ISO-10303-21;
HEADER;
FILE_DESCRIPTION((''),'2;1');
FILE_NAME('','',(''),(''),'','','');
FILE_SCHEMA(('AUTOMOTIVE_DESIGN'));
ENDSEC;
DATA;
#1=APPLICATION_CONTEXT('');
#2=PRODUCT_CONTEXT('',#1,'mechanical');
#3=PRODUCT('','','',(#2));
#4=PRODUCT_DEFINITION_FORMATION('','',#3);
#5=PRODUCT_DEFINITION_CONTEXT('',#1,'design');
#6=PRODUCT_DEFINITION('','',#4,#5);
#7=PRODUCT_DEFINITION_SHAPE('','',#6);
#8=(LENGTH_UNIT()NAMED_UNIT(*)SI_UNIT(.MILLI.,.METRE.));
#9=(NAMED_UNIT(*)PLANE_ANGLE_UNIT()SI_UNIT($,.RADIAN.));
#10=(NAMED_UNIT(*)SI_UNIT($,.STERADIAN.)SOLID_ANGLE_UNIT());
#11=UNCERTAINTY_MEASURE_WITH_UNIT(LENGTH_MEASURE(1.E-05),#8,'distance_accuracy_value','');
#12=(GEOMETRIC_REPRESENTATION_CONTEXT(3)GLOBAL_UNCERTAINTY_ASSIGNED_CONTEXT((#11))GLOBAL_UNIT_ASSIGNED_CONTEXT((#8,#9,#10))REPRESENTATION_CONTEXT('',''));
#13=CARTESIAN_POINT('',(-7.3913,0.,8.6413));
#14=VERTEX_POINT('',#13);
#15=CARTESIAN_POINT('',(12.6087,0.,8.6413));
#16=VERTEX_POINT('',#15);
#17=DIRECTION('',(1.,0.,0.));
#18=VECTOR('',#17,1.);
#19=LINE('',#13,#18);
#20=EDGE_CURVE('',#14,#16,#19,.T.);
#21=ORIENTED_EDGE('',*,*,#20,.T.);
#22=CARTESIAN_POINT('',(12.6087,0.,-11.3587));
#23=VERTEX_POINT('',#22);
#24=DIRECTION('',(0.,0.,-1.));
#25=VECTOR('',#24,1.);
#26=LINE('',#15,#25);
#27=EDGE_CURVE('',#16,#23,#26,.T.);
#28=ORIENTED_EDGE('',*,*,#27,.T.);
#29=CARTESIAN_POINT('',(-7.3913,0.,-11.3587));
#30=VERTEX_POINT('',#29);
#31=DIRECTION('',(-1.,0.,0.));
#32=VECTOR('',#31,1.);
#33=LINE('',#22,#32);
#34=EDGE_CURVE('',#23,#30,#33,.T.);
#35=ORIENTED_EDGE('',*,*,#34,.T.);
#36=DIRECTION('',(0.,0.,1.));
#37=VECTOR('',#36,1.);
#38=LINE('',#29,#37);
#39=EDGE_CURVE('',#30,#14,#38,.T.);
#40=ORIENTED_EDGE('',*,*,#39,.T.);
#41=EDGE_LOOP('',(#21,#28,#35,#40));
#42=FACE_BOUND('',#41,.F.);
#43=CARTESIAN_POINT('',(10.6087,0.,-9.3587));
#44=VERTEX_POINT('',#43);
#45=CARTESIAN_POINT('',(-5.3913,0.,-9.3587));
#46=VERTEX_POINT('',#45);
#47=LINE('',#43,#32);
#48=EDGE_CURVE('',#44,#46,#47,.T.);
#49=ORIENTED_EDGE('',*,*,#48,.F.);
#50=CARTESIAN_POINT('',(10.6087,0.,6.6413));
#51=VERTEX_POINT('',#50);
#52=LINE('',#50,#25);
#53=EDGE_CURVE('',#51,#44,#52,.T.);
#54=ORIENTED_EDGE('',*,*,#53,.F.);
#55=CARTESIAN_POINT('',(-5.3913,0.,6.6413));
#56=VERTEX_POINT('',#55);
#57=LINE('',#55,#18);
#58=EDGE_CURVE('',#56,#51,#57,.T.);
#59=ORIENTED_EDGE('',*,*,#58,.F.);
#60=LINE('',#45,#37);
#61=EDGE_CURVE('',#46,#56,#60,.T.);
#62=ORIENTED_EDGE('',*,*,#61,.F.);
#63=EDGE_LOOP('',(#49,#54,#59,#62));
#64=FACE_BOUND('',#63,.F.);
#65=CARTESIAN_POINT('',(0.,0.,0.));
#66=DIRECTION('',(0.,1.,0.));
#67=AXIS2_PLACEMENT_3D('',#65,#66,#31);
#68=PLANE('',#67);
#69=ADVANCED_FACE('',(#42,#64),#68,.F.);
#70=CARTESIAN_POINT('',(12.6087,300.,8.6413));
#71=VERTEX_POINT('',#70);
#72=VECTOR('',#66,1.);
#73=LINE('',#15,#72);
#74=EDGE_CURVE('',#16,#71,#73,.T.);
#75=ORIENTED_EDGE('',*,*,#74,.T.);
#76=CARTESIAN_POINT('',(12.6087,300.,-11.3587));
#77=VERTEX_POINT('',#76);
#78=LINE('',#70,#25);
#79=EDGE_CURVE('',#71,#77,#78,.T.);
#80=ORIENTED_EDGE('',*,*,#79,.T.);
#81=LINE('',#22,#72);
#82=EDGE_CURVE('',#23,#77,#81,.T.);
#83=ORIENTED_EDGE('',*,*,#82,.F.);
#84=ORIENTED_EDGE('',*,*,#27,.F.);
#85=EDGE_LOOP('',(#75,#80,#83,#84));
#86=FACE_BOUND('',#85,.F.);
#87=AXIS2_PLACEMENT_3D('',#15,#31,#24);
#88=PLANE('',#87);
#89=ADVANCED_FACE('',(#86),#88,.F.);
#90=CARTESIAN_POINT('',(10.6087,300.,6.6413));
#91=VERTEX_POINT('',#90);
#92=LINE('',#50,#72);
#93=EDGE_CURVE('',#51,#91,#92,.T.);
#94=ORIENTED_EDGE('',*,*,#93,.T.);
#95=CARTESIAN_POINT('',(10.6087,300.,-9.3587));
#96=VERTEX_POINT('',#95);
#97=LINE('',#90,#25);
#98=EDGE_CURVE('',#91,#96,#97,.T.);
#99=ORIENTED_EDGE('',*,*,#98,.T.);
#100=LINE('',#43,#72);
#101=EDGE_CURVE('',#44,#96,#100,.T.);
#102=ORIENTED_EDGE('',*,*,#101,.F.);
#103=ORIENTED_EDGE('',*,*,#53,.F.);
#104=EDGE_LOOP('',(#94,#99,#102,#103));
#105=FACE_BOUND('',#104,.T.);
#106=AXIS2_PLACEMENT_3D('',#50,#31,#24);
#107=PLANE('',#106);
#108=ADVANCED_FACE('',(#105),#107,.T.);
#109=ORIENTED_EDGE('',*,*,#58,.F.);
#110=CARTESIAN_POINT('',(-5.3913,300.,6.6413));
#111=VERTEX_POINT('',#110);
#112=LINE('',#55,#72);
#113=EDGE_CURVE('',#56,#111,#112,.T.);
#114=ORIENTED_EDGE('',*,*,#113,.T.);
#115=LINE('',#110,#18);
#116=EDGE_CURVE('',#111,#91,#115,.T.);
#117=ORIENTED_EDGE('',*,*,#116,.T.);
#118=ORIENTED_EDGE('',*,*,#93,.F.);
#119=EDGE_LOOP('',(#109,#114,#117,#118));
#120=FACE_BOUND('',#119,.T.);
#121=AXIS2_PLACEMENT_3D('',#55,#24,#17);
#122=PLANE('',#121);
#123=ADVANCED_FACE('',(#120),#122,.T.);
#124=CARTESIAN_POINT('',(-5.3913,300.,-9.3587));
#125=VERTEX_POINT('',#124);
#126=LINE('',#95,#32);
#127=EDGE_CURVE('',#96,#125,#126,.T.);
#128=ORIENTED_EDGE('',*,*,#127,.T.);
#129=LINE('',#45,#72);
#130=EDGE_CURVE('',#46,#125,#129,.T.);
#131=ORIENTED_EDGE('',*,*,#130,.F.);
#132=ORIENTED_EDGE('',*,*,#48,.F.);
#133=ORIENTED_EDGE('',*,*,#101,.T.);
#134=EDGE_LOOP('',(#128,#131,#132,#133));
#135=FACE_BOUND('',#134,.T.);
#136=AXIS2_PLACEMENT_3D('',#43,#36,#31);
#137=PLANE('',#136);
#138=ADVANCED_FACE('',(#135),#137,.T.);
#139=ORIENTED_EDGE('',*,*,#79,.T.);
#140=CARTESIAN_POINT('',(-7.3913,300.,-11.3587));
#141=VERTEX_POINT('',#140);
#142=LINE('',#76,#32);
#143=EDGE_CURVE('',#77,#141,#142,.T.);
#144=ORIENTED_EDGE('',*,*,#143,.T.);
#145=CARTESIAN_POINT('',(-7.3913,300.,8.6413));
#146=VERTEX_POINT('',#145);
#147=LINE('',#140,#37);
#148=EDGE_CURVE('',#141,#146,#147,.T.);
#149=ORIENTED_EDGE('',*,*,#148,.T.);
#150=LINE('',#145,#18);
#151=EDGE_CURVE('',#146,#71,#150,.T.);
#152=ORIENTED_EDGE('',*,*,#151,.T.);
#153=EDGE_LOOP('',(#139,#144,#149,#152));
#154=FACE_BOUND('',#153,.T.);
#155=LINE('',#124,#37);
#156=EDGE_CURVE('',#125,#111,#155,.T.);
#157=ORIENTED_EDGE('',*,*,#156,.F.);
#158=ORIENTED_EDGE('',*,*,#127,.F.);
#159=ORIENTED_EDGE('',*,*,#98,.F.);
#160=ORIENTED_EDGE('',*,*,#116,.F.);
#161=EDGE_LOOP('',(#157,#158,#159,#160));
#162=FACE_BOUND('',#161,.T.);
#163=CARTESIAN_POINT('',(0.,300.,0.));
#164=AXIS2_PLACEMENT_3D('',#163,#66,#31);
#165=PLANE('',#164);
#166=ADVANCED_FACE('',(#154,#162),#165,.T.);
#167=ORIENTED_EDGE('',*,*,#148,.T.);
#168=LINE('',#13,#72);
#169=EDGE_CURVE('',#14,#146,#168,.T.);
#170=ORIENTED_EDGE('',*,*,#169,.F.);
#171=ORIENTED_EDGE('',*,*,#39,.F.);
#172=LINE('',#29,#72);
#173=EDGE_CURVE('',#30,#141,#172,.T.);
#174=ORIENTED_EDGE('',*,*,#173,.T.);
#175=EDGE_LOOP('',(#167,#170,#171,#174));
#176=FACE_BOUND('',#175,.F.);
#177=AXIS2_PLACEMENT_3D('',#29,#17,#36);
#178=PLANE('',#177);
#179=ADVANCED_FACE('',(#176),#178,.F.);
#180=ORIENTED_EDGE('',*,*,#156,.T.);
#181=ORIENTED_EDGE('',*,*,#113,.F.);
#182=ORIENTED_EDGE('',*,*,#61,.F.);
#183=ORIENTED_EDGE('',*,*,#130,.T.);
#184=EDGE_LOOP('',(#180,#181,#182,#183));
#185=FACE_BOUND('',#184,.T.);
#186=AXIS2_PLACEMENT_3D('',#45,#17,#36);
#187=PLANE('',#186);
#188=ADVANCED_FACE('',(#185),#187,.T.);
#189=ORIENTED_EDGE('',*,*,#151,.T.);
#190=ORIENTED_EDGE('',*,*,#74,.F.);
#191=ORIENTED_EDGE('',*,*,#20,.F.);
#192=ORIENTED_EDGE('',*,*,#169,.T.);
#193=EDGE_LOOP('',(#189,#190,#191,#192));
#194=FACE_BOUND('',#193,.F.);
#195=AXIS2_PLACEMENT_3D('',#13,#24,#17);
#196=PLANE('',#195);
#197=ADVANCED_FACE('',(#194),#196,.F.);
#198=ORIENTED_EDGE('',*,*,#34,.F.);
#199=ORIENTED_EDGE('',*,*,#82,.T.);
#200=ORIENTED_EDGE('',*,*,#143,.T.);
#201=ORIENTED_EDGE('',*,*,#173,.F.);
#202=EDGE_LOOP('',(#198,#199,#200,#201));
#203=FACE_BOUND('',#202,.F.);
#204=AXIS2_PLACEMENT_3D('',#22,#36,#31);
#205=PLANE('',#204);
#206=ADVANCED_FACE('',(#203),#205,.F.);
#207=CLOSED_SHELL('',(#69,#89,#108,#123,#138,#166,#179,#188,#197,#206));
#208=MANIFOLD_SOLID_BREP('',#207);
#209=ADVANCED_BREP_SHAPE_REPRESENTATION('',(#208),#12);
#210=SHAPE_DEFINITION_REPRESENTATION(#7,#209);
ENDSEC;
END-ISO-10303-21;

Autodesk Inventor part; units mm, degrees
ref_plane "YZ Plane" through (0, 0, 0) normal (1, 0, 0) x (0, 1, 0)
ref_plane "XZ Plane" through (0, 0, 0) normal (0, 1, 0) x (-1, 0, 0)
ref_plane "XY Plane" through (0, 0, 0) normal (0, 0, 1) x (1, 0, 0)
sketch "Sketch1" plane through (0, 0, 0) normal (0, 1, 0) x (-1, 0, 0)
  line L0 (7.3913, 8.6413) -> (-12.6087, 8.6413)
  line L1 (-12.6087, 8.6413) -> (-12.6087, -11.3587)
  line L2 (-12.6087, -11.3587) -> (7.3913, -11.3587)
  line L3 (7.3913, -11.3587) -> (7.3913, 8.6413)
  line L4 (5.3913, 6.6413) -> (-10.6087, 6.6413)
  line L5 (-10.6087, 6.6413) -> (-10.6087, -9.3587)
  line L6 (-10.6087, -9.3587) -> (5.3913, -9.3587)
  line L7 (5.3913, -9.3587) -> (5.3913, 6.6413)
  point P0 (0, 0)
  dimension "d0" = 20
  dimension "d1" = 20
  dimension "d2" = 2
  dimension "d3" = 2
  dimension "d4" = 2
  dimension "d5" = 2
extrude "Extrusion1" add sketch "Sketch1" along normal blind 300
properties part number "profile_alu"
